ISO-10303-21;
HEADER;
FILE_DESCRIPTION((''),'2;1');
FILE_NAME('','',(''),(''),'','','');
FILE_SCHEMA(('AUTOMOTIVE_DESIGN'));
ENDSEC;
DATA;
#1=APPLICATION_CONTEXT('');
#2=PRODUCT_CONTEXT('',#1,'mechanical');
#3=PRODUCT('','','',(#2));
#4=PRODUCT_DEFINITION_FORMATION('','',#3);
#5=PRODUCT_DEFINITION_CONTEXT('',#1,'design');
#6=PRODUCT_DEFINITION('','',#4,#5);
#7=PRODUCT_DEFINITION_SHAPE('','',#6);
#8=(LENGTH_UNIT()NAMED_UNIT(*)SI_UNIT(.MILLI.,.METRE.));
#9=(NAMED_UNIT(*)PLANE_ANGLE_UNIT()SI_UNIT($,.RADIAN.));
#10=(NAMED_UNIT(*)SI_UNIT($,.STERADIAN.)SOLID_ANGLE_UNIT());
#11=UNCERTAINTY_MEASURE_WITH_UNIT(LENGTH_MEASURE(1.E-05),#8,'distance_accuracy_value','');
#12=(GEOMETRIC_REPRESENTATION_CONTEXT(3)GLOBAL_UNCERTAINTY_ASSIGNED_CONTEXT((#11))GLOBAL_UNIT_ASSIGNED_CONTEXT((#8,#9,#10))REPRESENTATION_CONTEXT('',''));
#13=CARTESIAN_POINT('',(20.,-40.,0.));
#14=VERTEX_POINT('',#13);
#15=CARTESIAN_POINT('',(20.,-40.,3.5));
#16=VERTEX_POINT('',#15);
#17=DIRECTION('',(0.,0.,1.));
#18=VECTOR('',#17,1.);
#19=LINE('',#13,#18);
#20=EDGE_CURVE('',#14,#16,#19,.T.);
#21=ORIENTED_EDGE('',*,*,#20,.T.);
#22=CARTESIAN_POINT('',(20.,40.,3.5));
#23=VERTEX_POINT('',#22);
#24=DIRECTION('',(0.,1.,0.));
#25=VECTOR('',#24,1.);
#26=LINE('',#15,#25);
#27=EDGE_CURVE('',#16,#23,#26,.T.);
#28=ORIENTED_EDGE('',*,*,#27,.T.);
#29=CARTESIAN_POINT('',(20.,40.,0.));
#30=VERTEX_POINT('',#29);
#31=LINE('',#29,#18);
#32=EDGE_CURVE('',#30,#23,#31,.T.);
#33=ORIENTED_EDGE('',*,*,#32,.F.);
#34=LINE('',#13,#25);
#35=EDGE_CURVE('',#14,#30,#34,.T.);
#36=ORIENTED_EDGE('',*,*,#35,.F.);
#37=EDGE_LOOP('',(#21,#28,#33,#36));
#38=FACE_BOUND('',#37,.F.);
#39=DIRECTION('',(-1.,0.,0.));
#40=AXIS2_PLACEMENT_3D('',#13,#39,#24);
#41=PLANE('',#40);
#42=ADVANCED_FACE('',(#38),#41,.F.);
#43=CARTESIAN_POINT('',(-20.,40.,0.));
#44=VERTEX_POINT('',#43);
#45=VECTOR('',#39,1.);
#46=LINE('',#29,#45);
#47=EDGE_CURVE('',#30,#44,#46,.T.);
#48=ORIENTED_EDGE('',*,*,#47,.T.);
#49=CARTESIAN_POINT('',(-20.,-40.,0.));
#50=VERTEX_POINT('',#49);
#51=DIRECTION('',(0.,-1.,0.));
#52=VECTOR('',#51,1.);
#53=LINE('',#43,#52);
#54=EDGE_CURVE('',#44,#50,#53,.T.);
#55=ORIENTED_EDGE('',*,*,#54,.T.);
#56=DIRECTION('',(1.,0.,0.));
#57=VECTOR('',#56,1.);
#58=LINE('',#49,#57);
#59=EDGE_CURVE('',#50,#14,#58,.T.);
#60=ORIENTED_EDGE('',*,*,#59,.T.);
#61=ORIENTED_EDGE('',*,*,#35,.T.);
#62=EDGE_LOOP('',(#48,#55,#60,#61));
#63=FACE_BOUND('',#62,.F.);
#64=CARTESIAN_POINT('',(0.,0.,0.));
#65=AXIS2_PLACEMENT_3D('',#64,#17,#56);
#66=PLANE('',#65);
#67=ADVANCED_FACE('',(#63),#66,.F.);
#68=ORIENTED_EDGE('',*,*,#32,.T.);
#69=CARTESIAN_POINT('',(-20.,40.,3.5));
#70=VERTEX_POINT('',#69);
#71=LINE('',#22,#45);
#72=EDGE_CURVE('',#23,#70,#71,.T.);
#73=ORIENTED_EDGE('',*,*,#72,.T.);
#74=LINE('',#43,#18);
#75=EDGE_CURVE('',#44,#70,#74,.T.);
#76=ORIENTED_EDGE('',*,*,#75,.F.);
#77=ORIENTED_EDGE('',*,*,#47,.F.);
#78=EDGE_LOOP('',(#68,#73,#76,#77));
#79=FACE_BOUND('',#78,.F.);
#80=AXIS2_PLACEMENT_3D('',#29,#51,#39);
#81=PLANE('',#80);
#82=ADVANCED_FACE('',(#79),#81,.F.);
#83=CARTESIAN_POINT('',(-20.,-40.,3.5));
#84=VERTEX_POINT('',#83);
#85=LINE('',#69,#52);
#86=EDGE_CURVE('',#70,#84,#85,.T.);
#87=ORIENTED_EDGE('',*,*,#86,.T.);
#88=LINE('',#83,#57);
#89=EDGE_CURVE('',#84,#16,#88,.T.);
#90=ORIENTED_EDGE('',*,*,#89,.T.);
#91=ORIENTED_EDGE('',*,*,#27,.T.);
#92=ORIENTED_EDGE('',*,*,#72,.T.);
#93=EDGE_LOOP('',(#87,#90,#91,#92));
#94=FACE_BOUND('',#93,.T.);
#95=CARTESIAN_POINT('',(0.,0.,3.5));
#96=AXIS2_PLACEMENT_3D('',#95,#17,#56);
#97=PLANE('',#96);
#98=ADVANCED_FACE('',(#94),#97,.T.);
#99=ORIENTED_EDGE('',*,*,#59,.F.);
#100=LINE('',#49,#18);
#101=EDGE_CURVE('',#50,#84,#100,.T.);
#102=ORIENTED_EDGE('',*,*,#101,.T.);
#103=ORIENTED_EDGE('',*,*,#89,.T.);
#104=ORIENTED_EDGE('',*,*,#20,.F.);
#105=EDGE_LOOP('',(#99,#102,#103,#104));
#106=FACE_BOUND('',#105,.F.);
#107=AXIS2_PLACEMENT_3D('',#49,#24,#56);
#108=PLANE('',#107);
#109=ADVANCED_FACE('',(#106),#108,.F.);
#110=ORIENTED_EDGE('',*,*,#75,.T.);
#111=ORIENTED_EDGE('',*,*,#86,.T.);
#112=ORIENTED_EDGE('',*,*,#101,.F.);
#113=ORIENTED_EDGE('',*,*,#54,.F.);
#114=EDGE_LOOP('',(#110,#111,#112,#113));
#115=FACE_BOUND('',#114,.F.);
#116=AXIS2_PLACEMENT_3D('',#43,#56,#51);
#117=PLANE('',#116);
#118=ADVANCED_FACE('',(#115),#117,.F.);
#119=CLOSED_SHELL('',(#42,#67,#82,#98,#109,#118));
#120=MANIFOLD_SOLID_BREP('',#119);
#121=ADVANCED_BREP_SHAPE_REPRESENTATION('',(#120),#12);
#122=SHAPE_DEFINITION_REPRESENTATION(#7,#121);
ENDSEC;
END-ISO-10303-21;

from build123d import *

# Parameters (mm, degrees)
F1_DEPTH = 3.5


with BuildPart() as f1:
    # F0 (on Top) → F1 (new body)
    with BuildSketch(Plane.XY):
        Polygon((20, 0), (20, 40), (-20, 40), (-20, -40), (20, -40), align=None)
        Polygon((17.5, 15), (17.5, 0), (17.5, -15), (12.5, -15), (12.5, 0), (12.5, 15), align=None, mode=Mode.SUBTRACT)
        Polygon((15, 0), (17.5, 0), (17.5, 15), (12.5, 15), (12.5, 0), align=None)
        Polygon((17.5, -15), (17.5, 0), (15, 0), (12.5, 0), (12.5, -15), align=None)
    extrude(amount=F1_DEPTH)


solid = f1.part
